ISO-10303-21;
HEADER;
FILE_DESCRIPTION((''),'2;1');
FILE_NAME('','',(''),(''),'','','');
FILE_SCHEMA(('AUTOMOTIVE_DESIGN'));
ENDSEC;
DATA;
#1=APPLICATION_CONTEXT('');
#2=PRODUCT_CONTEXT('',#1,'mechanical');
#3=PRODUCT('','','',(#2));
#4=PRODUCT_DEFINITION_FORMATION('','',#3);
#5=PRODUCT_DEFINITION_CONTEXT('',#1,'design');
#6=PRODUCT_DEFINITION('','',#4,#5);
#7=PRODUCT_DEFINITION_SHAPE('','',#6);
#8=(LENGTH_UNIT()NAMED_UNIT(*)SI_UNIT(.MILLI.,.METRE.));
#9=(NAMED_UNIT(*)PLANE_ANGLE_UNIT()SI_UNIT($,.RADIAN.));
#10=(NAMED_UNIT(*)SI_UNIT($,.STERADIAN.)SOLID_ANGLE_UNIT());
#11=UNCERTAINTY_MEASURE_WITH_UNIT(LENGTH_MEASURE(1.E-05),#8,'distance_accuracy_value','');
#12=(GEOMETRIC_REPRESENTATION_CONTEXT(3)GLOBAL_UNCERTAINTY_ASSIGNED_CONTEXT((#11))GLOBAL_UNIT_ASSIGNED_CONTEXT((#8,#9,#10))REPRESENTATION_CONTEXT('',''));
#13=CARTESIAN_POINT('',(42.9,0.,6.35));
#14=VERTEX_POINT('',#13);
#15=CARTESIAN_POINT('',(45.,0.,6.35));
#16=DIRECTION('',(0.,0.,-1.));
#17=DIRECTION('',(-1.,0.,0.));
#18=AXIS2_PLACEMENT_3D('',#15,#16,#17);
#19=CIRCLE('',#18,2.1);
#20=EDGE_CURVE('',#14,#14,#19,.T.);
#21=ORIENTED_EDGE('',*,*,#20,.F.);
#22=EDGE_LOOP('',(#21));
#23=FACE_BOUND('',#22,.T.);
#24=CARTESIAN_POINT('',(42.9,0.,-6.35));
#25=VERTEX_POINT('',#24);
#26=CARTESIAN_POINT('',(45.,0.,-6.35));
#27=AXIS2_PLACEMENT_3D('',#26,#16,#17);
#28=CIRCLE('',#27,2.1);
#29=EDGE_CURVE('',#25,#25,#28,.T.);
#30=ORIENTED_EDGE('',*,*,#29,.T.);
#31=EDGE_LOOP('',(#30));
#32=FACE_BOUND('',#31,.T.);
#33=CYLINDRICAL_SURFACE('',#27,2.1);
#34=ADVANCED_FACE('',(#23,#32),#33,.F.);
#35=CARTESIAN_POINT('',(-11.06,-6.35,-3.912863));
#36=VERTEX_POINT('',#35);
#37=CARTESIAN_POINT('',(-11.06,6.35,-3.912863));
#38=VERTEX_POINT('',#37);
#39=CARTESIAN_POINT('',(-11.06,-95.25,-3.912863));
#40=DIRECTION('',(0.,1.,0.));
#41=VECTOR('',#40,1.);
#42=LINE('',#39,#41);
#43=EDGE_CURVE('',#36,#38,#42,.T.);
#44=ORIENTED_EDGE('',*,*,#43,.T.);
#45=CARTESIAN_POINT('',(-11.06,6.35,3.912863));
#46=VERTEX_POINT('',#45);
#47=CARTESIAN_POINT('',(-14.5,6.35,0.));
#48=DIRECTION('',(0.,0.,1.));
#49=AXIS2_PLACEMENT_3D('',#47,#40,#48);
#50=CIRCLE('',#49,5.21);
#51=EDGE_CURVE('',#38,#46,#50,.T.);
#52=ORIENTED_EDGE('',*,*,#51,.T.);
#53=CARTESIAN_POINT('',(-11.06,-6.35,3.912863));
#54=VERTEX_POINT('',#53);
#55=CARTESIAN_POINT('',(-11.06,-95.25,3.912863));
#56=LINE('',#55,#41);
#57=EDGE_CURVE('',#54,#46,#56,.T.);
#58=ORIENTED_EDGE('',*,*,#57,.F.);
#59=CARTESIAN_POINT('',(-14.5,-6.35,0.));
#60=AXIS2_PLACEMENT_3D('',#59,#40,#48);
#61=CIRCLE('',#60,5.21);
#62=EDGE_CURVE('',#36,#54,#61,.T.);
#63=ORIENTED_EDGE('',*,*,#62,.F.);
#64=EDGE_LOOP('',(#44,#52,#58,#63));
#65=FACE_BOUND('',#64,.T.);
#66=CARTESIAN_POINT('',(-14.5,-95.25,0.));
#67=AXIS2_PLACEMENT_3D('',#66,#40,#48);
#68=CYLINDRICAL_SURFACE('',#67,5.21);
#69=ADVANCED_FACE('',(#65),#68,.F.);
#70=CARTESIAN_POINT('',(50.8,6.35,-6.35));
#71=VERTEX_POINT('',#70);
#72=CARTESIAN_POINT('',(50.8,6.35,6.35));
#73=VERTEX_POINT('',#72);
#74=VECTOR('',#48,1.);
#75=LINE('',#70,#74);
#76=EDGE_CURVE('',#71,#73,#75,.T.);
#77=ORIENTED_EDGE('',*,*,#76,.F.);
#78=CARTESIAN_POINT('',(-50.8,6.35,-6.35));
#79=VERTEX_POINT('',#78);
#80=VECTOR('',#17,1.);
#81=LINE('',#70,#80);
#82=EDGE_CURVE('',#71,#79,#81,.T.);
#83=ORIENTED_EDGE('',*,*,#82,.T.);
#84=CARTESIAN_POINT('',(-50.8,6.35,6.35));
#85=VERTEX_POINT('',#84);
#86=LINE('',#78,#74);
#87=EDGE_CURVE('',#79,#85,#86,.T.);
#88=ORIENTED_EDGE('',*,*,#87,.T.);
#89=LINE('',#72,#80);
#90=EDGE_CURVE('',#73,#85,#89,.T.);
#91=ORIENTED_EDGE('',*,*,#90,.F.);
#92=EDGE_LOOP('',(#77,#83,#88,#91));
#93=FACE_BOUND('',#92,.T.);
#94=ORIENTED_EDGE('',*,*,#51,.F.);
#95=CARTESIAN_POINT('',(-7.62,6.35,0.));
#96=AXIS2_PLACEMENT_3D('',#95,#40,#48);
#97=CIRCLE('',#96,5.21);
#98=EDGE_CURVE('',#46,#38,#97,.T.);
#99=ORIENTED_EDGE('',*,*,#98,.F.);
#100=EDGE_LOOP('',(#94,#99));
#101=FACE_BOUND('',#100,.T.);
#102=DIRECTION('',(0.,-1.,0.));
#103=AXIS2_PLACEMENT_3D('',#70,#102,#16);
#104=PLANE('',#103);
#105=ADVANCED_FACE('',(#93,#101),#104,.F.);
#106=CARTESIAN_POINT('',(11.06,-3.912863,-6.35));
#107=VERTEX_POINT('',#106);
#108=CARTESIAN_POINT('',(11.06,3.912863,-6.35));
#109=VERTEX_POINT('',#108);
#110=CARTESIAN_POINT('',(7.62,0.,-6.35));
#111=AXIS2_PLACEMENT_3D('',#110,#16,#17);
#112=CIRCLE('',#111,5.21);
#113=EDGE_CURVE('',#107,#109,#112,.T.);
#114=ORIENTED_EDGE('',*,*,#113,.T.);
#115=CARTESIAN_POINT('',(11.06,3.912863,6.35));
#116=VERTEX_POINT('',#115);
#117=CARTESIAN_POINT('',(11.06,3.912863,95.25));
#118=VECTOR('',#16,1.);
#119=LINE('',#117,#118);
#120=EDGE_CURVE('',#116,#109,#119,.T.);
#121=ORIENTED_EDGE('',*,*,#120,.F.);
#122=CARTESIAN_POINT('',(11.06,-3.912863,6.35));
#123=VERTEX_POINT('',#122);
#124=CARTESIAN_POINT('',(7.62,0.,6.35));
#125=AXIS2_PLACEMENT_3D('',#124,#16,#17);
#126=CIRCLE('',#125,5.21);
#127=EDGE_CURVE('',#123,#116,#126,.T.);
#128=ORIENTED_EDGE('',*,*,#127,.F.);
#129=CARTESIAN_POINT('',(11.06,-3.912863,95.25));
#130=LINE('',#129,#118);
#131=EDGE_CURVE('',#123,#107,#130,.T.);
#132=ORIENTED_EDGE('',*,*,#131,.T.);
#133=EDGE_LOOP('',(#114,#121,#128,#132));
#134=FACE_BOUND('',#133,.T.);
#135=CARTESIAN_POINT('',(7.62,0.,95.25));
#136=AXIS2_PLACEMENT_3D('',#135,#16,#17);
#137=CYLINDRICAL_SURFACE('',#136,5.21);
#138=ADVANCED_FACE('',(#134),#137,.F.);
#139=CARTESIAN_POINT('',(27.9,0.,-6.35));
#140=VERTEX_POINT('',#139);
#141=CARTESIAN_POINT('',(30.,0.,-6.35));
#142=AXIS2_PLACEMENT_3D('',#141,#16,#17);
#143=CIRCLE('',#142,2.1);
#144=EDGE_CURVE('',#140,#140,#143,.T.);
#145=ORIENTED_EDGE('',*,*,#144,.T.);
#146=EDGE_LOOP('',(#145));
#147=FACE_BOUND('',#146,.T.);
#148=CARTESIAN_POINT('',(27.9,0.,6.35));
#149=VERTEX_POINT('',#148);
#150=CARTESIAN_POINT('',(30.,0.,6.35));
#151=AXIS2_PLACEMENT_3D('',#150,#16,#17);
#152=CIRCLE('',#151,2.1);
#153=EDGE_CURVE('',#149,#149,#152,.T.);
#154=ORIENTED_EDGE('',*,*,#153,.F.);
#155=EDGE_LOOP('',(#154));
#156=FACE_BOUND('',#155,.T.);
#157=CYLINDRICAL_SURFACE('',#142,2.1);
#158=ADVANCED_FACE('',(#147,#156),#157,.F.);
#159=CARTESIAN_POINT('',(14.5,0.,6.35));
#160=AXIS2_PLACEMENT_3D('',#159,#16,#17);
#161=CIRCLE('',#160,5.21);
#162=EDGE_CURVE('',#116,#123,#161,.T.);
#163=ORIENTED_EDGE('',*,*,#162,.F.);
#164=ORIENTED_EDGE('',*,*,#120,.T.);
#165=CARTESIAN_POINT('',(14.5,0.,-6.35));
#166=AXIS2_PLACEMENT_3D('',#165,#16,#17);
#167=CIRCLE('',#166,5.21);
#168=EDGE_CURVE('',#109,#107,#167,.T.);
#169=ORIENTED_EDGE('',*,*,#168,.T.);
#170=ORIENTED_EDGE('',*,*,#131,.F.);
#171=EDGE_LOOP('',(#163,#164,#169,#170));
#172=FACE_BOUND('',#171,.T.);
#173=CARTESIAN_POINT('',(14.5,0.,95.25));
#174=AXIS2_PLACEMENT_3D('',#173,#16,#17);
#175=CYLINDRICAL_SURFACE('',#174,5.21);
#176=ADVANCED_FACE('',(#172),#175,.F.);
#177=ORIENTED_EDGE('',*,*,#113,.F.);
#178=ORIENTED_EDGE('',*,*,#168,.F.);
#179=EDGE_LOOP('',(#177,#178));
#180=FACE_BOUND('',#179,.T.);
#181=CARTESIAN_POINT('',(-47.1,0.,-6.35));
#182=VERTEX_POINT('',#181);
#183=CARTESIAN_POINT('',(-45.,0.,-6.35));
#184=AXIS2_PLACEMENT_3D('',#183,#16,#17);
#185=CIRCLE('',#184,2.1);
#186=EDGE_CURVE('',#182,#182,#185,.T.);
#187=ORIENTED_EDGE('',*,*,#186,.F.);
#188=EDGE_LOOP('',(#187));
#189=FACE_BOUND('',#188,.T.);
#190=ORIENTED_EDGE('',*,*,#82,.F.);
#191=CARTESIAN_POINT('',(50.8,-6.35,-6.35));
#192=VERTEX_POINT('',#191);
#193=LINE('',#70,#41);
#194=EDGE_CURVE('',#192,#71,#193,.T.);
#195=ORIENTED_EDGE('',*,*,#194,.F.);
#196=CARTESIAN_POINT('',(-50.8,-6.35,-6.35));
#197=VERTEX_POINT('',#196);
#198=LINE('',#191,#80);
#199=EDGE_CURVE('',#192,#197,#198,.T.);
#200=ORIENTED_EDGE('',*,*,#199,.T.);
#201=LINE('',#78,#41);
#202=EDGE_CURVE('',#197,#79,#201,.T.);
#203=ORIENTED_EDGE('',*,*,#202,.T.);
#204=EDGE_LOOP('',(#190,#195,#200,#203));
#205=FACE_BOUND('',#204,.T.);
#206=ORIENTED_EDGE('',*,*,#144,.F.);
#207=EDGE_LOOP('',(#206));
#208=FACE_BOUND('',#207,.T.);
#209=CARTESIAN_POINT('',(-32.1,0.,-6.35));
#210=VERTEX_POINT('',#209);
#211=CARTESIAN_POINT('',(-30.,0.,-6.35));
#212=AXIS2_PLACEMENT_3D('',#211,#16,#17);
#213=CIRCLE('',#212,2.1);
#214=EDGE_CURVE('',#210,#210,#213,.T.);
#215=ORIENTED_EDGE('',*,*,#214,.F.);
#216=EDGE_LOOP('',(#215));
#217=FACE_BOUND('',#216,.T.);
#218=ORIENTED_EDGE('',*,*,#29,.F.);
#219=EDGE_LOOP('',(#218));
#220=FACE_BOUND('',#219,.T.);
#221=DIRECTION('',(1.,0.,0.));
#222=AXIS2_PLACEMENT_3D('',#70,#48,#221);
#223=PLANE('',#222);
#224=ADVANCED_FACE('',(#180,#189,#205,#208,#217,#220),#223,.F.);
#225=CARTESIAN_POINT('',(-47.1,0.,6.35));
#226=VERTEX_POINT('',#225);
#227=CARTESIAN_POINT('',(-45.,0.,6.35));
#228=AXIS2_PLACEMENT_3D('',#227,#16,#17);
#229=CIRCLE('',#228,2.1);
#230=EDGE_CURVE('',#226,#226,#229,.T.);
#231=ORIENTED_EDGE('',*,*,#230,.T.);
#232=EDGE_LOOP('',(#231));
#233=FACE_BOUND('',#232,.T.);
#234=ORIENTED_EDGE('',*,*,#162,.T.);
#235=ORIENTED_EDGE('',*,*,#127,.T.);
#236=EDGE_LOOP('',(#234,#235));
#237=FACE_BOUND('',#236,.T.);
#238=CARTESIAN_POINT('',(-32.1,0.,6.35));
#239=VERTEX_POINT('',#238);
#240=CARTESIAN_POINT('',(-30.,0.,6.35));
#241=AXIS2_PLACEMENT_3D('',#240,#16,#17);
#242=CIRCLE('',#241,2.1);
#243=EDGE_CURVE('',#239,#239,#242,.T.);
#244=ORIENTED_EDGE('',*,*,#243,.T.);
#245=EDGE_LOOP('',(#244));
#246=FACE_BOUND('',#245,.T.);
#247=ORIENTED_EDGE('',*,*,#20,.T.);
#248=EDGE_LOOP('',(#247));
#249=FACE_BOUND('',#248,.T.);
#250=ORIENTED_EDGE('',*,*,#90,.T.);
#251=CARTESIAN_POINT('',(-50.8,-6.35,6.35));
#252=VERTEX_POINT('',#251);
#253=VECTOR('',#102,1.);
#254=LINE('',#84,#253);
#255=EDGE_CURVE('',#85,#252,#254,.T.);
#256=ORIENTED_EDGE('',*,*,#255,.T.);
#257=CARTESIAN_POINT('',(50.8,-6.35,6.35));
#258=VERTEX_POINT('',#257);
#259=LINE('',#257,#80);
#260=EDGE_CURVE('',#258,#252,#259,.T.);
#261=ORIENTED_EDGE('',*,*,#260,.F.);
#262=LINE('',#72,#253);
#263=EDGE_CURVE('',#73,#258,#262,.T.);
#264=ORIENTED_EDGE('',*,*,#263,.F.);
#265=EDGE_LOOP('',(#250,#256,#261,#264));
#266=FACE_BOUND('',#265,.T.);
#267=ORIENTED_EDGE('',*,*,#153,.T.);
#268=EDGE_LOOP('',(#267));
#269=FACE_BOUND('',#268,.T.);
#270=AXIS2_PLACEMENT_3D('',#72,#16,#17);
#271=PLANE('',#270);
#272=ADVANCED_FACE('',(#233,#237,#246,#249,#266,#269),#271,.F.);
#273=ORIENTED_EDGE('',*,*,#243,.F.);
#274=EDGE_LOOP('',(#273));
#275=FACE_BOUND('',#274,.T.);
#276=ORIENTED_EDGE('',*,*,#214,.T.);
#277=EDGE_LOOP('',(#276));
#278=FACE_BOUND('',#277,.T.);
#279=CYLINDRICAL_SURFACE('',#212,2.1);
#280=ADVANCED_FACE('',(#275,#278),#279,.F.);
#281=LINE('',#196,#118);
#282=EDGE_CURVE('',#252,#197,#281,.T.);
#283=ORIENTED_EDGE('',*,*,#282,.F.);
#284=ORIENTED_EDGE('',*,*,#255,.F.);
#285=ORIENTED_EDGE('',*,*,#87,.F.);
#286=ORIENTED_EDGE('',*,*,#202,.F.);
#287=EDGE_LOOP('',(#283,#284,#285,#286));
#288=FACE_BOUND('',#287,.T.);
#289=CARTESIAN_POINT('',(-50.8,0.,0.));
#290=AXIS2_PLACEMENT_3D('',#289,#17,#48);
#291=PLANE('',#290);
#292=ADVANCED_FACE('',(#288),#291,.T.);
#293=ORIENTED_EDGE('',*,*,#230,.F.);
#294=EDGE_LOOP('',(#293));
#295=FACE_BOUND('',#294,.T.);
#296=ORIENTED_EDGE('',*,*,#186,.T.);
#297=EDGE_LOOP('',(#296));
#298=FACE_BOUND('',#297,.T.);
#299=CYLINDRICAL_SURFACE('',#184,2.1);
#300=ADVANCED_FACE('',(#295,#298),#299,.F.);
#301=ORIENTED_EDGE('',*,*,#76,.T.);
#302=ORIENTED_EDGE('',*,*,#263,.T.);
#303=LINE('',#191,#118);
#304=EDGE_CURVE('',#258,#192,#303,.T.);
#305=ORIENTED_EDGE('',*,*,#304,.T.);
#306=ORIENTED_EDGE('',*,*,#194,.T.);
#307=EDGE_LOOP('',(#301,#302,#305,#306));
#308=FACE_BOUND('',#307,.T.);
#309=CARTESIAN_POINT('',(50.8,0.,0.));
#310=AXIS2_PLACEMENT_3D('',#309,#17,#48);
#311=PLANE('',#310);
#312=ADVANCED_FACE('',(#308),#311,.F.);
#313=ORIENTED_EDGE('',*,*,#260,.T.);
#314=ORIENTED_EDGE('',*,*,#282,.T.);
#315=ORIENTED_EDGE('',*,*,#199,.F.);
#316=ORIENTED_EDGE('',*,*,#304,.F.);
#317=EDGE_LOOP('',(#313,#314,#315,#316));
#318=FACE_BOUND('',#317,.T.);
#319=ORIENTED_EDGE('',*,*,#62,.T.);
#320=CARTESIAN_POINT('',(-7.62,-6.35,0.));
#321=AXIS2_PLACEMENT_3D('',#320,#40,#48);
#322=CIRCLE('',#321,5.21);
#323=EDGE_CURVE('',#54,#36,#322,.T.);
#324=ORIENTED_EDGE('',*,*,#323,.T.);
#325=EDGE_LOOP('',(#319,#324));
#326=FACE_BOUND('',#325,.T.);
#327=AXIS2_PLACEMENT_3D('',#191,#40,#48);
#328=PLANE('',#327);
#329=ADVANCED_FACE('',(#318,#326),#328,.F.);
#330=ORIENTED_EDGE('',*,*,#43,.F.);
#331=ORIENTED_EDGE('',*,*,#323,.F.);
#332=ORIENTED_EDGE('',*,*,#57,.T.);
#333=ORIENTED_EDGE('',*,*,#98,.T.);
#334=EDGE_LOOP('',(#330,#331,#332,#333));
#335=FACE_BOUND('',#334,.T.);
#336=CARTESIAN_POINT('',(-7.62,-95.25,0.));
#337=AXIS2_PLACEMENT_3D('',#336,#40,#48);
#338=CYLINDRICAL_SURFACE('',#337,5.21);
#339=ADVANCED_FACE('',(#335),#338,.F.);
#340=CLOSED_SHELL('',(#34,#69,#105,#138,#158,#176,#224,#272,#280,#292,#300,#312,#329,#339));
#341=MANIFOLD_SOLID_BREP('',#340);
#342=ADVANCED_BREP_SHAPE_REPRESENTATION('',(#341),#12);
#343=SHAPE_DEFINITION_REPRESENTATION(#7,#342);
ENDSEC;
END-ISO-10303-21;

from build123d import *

# Parameters (mm, degrees)
SKETCH1_W                 = 12.7
SKETCH1_H                 = 12.7
BOSS_EXTRUDE1_DEPTH       = 50.8
SKETCH2_R                 = 5.21
CUT_EXTRUDE1_DEPTH        = 101.6
SKETCH3_R                 = 5.21
CUT_EXTRUDE2_DEPTH        = 101.6
M5X0_8_TAPPED_HOLE2_D     = 4.2
M5X0_8_TAPPED_HOLE2_DEPTH = 14
M5X0_8_TAPPED_HOLE2_TIP   = 1.2618073


with BuildPart() as part:
    # Sketch1 → Boss-Extrude1 (new, symmetric)
    with BuildSketch(Plane(origin=(0, 0, 0), x_dir=(0, 0, -1), z_dir=(1, 0, 0))):
        Rectangle(SKETCH1_W, SKETCH1_H)
    extrude(amount=BOSS_EXTRUDE1_DEPTH, both=True)

    # Sketch2 → Cut-Extrude1 (cut)
    with BuildSketch(Plane(origin=(0, 6.35, 0), x_dir=(1, 0, 0), z_dir=(0, 1, 0))):
        with Locations((-7.62, 0)):
            Circle(SKETCH2_R)
        with Locations((-14.5, 0)):
            Circle(SKETCH2_R)
    extrude(amount=-CUT_EXTRUDE1_DEPTH, mode=Mode.SUBTRACT)

    # Sketch3 → Cut-Extrude2 (cut)
    with BuildSketch(Plane(origin=(0, 0, -6.35), x_dir=(-1, 0, 0), z_dir=(0, 0, -1))):
        with Locations((-14.5, 0)):
            Circle(SKETCH3_R)
        with Locations((-7.62, 0)):
            Circle(SKETCH3_R)
    extrude(amount=-CUT_EXTRUDE2_DEPTH, mode=Mode.SUBTRACT)

    # M5x0.8 Tapped Hole2
    with Locations(Plane(origin=(0, 0, -6.35), x_dir=(-1, 0, 0), z_dir=(0, 0, -1))):
        with Locations((-45, 0), (-30, 0), (30, 0), (45, 0)):
            Hole(M5X0_8_TAPPED_HOLE2_D / 2, depth=M5X0_8_TAPPED_HOLE2_DEPTH)
            with Locations((0, 0, -(M5X0_8_TAPPED_HOLE2_DEPTH + M5X0_8_TAPPED_HOLE2_TIP / 2))):  # 118° drill point
                Cone(0, M5X0_8_TAPPED_HOLE2_D / 2, M5X0_8_TAPPED_HOLE2_TIP, mode=Mode.SUBTRACT)


solid = part.part
